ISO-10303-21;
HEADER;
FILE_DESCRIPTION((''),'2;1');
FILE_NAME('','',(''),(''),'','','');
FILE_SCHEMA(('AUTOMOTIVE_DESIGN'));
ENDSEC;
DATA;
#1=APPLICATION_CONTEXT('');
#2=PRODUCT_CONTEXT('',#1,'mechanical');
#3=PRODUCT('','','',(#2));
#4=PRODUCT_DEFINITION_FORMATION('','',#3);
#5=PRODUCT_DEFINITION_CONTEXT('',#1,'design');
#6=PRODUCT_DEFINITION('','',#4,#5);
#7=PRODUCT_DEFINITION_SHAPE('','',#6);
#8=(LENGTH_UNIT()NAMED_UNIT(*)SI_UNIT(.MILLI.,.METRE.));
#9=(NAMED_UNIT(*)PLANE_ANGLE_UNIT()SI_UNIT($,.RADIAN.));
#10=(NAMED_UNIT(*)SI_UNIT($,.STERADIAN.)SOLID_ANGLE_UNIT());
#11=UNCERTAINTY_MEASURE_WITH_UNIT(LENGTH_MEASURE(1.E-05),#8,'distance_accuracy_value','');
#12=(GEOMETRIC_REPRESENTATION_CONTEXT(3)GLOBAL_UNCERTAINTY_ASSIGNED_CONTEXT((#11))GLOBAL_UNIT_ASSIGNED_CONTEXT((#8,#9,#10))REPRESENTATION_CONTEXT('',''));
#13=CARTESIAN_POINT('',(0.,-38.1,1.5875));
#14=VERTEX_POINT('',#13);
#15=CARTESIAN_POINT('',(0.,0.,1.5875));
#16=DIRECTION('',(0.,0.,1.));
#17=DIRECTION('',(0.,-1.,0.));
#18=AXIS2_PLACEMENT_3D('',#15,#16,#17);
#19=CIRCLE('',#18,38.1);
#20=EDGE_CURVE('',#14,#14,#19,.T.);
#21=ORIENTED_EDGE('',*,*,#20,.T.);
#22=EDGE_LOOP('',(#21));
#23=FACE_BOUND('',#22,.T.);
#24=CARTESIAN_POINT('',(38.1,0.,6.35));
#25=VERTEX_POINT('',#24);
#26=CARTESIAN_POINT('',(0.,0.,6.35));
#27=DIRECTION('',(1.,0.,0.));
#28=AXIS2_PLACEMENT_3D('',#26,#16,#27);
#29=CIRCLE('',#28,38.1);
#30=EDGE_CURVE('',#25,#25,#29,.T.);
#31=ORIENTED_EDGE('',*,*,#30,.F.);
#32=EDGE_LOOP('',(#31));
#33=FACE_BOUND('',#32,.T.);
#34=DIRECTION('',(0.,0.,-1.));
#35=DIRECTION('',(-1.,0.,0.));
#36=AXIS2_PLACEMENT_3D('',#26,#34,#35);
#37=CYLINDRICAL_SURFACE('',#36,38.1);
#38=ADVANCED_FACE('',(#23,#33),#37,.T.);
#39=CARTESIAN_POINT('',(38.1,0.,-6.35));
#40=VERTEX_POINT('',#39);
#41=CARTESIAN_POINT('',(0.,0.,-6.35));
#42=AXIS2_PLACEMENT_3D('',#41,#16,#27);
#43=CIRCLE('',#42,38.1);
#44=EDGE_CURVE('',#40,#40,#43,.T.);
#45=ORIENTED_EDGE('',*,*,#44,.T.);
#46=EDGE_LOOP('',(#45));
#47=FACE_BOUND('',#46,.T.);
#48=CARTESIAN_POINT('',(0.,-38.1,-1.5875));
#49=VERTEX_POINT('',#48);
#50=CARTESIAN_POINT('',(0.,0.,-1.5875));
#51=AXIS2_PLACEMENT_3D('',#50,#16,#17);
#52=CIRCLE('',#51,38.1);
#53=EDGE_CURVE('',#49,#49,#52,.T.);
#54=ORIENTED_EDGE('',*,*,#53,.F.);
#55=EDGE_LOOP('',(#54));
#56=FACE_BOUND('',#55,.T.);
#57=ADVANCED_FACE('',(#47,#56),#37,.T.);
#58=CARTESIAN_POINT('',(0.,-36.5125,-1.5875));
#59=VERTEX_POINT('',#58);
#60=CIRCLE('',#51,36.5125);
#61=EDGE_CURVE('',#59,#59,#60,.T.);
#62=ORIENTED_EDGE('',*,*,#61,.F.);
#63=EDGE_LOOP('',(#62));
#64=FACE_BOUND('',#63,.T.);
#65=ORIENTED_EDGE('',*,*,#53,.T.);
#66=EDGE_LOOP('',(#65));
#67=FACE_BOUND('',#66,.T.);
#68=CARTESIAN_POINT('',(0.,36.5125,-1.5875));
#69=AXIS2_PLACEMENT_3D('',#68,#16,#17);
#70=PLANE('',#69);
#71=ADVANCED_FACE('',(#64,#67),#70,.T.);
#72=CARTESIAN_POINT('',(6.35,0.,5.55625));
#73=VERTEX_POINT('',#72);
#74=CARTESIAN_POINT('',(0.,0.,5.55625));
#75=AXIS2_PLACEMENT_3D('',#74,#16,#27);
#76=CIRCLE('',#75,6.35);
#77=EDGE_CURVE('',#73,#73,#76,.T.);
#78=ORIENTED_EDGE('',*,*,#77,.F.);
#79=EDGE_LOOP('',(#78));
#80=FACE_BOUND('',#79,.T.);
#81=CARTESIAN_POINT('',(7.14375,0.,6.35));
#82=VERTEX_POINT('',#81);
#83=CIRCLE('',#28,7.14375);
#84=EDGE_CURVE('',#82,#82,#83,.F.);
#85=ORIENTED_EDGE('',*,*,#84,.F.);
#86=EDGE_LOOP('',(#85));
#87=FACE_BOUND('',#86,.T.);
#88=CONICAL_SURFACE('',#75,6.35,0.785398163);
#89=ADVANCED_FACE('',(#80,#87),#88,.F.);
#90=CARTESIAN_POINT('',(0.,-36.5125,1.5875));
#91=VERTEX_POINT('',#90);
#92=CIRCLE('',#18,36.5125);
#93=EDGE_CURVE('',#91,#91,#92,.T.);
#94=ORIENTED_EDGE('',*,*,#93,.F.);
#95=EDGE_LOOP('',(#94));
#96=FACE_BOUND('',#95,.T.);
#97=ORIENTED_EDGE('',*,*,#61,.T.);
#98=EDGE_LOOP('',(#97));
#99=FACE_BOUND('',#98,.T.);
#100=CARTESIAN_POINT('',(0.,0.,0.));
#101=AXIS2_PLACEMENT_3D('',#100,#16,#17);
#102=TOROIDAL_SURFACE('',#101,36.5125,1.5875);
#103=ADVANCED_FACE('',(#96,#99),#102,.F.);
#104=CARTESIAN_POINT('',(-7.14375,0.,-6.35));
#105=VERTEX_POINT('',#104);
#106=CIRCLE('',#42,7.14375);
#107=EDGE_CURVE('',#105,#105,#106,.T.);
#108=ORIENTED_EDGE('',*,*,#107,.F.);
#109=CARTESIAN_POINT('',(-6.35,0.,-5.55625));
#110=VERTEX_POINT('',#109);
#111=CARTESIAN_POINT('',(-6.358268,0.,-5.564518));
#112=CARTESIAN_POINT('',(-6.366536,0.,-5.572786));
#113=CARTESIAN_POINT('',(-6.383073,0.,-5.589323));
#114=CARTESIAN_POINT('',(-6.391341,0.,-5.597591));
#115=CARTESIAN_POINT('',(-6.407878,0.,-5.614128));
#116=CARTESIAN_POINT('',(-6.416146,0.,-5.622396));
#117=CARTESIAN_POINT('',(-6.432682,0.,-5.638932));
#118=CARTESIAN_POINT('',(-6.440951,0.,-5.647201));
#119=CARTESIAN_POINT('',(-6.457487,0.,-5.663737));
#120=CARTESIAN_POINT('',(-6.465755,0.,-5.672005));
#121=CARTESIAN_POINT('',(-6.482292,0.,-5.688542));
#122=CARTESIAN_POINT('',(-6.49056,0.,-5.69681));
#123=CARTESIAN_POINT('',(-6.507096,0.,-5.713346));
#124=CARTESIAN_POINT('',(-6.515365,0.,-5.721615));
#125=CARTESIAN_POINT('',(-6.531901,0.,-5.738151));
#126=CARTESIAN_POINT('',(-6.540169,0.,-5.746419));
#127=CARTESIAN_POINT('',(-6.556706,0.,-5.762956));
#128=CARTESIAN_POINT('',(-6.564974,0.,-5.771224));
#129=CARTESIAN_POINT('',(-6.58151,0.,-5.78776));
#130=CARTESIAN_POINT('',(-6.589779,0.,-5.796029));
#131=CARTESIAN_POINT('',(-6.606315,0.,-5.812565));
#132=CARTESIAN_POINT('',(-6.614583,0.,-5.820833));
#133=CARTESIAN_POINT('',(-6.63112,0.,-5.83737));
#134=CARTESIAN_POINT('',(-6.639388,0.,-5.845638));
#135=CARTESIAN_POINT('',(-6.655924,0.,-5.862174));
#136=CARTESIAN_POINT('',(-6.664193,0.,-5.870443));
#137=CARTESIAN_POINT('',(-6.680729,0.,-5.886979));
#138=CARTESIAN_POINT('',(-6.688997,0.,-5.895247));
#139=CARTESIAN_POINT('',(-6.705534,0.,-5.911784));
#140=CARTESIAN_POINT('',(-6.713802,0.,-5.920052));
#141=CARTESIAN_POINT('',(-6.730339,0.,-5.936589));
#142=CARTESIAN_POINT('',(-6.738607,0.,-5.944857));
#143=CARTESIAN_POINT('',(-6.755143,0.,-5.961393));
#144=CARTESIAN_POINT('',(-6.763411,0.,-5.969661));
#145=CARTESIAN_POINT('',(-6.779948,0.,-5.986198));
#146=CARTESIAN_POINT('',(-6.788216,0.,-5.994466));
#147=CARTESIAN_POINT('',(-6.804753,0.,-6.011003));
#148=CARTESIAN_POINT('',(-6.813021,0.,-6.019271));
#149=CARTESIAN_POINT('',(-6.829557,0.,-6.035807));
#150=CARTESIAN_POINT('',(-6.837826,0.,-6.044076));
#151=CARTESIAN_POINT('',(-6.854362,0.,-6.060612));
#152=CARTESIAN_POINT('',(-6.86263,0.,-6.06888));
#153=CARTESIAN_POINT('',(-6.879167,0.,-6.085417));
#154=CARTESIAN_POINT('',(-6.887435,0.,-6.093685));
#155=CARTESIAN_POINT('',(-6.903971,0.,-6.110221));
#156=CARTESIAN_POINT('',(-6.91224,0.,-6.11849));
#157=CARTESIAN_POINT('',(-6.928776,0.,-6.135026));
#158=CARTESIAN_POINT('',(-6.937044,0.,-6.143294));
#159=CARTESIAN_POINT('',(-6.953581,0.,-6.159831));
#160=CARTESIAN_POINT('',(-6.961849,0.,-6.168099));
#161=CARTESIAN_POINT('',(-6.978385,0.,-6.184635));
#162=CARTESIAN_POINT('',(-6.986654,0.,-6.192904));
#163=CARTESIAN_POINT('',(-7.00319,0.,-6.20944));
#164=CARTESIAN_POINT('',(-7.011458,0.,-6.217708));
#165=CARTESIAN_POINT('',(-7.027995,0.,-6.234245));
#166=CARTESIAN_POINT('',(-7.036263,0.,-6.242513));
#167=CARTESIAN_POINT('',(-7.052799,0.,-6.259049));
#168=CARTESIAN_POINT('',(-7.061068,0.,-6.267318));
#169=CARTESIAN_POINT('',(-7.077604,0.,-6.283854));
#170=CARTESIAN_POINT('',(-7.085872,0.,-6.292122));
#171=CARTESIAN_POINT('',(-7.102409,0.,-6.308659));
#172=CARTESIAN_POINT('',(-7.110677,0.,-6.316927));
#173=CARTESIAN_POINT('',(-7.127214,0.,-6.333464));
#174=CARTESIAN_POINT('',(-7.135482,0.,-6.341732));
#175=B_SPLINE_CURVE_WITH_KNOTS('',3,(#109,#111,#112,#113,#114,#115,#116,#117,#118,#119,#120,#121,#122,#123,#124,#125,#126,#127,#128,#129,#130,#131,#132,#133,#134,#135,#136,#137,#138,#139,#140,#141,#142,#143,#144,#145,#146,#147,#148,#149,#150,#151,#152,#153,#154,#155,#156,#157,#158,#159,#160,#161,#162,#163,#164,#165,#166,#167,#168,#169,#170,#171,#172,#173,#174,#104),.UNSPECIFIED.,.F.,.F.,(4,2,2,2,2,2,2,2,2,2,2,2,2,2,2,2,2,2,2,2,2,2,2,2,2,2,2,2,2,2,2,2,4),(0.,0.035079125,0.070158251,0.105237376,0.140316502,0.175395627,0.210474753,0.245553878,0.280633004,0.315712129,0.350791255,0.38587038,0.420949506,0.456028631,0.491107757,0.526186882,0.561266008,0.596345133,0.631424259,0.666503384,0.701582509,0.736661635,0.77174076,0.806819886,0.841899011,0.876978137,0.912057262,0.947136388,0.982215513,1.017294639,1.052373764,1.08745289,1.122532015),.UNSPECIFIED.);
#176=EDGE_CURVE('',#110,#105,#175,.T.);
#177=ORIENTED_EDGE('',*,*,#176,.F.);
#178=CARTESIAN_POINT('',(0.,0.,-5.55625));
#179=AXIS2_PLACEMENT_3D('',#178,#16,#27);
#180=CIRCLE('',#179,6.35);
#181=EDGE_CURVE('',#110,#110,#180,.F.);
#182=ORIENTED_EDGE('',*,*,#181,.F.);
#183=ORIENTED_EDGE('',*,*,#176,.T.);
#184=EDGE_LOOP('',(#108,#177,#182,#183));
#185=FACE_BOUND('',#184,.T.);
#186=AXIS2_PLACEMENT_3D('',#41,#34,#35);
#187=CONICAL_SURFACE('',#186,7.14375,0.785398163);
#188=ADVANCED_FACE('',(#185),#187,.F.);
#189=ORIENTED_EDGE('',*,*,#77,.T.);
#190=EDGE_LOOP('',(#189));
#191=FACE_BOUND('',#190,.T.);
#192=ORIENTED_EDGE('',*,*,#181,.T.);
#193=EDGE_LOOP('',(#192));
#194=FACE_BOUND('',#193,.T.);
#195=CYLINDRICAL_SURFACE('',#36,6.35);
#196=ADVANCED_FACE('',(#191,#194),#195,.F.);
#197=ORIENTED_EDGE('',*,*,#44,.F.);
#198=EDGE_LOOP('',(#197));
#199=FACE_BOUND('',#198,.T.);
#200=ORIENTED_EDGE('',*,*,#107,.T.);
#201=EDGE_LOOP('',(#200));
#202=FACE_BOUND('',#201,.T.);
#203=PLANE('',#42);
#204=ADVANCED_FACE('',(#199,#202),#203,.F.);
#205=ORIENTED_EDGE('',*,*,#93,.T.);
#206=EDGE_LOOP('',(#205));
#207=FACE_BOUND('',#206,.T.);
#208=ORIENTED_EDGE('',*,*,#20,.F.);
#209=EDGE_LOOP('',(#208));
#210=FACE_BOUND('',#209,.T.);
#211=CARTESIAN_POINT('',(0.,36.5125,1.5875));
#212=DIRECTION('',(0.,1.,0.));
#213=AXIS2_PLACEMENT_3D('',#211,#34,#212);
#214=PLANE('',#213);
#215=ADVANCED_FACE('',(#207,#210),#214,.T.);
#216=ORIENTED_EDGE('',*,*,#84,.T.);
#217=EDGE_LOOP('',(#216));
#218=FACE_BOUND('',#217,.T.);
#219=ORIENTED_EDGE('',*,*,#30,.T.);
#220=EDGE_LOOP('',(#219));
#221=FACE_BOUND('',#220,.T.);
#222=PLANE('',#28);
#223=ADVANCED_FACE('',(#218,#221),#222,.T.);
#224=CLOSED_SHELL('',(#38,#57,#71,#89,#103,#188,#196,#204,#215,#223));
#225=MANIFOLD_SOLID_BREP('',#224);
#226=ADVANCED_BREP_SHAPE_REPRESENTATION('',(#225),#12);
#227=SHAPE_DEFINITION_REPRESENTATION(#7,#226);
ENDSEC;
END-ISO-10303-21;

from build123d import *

# Parameters (mm, degrees)
SKETCH1_R      = 38.1
SKETCH1_R_2    = 6.35
EXTRUDE1_DEPTH = 6.35
CHAMFER1_SIZE  = 0.79375


with BuildPart() as part:
    # Sketch1 → Extrude1 (new, symmetric)
    with BuildSketch(Plane.XY):
        Circle(SKETCH1_R)
        Circle(SKETCH1_R_2, mode=Mode.SUBTRACT)
    extrude(amount=EXTRUDE1_DEPTH, both=True)

    # Chamfer1
    chamfer1_edges = [part.edges().sort_by_distance(p)[0] for p in [
        (-6.35, 0, -6.35),
        (-6.35, 0, 6.35),
    ]]
    chamfer(chamfer1_edges, length=CHAMFER1_SIZE)

    # Sketch2 → Cut-Revolve1 (revolve, cut)
    with BuildSketch(Plane(origin=(0, 0, 0), x_dir=(0, 0, -1), z_dir=(1, 0, 0)), mode=Mode.PRIVATE) as cut_revolve1_sk:
        with BuildLine():
            Line((-1.5875, 36.5125), (-1.5875, 38.1))
            Line((-1.5875, 38.1), (1.5875, 38.1))
            Line((1.5875, 38.1), (1.5875, 36.5125))
            ThreePointArc((1.5875, 36.5125), (0, 34.925), (-1.5875, 36.5125))
        make_face()
    revolve(cut_revolve1_sk.sketch.rotate(Axis((0, 0, 6.35), (0, 0, -1)), 180), axis=Axis((0, 0, 6.35), (0, 0, -1)), mode=Mode.SUBTRACT)


solid = part.part
